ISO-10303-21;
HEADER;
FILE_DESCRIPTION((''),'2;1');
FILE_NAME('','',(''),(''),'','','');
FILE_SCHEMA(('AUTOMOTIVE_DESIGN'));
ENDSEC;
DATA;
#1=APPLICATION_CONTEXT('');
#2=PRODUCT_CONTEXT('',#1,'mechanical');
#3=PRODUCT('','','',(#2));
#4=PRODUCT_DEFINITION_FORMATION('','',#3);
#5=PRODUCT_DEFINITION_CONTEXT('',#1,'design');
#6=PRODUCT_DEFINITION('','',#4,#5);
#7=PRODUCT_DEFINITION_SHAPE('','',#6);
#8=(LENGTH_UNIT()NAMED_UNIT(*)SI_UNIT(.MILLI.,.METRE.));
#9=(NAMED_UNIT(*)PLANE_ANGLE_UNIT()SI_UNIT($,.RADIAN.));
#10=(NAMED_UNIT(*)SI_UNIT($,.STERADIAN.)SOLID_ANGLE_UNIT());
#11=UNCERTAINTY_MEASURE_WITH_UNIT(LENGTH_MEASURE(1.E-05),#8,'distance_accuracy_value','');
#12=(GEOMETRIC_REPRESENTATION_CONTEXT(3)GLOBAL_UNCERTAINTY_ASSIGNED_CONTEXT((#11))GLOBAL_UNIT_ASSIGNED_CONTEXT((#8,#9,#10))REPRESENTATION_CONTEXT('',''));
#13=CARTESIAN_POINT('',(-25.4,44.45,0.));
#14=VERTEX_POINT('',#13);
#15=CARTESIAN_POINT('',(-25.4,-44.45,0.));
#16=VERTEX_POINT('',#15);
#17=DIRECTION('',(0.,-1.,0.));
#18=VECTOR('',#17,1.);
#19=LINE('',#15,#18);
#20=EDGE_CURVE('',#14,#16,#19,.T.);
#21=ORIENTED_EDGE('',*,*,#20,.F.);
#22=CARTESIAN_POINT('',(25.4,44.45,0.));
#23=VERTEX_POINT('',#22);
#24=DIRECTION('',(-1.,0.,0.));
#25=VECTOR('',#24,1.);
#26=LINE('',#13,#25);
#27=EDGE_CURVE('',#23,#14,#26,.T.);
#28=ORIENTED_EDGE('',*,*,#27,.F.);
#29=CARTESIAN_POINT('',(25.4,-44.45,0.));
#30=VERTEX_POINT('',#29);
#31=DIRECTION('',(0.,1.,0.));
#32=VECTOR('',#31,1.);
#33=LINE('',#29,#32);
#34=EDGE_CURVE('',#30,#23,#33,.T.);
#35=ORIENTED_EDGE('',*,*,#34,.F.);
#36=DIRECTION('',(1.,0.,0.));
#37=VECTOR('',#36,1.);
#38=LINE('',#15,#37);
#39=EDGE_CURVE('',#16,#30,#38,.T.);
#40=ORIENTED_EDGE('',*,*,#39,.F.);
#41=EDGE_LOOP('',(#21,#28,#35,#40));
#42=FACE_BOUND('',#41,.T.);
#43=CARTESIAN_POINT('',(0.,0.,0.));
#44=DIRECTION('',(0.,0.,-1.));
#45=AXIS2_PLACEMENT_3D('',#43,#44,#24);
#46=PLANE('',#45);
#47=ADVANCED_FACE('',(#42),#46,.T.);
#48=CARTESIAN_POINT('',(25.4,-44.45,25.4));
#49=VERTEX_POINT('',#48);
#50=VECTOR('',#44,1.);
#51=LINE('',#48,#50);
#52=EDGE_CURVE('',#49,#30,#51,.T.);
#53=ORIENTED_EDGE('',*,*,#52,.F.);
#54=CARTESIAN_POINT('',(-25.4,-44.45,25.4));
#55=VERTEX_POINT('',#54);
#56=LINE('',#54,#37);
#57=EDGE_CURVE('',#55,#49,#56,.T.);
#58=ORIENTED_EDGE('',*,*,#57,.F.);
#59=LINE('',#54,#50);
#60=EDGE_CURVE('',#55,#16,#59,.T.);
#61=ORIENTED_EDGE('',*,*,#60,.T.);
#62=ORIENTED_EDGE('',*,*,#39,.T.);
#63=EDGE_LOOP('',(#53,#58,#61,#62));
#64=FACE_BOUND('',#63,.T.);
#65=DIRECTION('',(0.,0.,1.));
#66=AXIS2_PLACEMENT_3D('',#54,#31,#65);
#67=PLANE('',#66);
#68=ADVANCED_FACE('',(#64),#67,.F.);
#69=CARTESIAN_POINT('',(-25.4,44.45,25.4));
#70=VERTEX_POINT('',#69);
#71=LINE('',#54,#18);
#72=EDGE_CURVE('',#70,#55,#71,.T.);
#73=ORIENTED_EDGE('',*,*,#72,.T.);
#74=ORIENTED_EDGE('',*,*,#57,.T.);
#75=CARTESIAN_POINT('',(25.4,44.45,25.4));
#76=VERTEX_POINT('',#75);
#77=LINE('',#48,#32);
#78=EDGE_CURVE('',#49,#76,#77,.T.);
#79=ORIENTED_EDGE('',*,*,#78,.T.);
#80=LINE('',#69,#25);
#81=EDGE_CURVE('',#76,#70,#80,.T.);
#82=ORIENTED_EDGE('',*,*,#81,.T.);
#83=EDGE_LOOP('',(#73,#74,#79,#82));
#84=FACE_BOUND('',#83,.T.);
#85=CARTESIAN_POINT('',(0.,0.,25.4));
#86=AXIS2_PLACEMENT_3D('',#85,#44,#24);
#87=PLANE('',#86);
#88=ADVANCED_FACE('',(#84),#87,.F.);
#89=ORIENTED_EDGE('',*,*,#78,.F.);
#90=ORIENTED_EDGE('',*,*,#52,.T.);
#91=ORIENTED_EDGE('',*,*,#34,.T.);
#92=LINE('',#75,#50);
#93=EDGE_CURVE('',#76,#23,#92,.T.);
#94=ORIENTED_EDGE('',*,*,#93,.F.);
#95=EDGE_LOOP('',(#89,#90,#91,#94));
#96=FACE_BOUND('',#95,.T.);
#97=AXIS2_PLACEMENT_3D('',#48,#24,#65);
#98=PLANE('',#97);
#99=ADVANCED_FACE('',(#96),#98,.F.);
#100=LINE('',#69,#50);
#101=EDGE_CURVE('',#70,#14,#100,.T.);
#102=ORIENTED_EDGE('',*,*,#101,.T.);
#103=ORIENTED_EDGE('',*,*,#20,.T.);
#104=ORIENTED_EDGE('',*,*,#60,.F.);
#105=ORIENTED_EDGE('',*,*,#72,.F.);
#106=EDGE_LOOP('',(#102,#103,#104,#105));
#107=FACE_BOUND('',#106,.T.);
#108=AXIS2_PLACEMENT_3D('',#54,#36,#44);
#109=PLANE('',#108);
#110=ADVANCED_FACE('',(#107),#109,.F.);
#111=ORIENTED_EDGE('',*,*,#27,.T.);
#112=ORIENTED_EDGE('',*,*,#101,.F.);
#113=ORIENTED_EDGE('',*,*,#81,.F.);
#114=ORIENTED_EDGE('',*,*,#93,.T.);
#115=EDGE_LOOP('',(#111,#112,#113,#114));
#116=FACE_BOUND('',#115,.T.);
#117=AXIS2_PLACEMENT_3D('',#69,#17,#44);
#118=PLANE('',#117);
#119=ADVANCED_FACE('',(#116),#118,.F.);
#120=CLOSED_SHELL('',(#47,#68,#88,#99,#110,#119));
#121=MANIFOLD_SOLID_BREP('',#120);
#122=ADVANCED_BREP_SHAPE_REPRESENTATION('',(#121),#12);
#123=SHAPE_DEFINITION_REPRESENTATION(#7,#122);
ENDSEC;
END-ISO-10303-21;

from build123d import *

# Parameters (mm, degrees)
SKETCH1_W           = 50.8
SKETCH1_H           = 88.9
BOSS_EXTRUDE1_DEPTH = 25.4


with BuildPart() as part:
    # Sketch1 → Boss-Extrude1 (new body)
    with BuildSketch(Plane.XY):
        Rectangle(SKETCH1_W, SKETCH1_H)
    extrude(amount=BOSS_EXTRUDE1_DEPTH)


solid = part.part
